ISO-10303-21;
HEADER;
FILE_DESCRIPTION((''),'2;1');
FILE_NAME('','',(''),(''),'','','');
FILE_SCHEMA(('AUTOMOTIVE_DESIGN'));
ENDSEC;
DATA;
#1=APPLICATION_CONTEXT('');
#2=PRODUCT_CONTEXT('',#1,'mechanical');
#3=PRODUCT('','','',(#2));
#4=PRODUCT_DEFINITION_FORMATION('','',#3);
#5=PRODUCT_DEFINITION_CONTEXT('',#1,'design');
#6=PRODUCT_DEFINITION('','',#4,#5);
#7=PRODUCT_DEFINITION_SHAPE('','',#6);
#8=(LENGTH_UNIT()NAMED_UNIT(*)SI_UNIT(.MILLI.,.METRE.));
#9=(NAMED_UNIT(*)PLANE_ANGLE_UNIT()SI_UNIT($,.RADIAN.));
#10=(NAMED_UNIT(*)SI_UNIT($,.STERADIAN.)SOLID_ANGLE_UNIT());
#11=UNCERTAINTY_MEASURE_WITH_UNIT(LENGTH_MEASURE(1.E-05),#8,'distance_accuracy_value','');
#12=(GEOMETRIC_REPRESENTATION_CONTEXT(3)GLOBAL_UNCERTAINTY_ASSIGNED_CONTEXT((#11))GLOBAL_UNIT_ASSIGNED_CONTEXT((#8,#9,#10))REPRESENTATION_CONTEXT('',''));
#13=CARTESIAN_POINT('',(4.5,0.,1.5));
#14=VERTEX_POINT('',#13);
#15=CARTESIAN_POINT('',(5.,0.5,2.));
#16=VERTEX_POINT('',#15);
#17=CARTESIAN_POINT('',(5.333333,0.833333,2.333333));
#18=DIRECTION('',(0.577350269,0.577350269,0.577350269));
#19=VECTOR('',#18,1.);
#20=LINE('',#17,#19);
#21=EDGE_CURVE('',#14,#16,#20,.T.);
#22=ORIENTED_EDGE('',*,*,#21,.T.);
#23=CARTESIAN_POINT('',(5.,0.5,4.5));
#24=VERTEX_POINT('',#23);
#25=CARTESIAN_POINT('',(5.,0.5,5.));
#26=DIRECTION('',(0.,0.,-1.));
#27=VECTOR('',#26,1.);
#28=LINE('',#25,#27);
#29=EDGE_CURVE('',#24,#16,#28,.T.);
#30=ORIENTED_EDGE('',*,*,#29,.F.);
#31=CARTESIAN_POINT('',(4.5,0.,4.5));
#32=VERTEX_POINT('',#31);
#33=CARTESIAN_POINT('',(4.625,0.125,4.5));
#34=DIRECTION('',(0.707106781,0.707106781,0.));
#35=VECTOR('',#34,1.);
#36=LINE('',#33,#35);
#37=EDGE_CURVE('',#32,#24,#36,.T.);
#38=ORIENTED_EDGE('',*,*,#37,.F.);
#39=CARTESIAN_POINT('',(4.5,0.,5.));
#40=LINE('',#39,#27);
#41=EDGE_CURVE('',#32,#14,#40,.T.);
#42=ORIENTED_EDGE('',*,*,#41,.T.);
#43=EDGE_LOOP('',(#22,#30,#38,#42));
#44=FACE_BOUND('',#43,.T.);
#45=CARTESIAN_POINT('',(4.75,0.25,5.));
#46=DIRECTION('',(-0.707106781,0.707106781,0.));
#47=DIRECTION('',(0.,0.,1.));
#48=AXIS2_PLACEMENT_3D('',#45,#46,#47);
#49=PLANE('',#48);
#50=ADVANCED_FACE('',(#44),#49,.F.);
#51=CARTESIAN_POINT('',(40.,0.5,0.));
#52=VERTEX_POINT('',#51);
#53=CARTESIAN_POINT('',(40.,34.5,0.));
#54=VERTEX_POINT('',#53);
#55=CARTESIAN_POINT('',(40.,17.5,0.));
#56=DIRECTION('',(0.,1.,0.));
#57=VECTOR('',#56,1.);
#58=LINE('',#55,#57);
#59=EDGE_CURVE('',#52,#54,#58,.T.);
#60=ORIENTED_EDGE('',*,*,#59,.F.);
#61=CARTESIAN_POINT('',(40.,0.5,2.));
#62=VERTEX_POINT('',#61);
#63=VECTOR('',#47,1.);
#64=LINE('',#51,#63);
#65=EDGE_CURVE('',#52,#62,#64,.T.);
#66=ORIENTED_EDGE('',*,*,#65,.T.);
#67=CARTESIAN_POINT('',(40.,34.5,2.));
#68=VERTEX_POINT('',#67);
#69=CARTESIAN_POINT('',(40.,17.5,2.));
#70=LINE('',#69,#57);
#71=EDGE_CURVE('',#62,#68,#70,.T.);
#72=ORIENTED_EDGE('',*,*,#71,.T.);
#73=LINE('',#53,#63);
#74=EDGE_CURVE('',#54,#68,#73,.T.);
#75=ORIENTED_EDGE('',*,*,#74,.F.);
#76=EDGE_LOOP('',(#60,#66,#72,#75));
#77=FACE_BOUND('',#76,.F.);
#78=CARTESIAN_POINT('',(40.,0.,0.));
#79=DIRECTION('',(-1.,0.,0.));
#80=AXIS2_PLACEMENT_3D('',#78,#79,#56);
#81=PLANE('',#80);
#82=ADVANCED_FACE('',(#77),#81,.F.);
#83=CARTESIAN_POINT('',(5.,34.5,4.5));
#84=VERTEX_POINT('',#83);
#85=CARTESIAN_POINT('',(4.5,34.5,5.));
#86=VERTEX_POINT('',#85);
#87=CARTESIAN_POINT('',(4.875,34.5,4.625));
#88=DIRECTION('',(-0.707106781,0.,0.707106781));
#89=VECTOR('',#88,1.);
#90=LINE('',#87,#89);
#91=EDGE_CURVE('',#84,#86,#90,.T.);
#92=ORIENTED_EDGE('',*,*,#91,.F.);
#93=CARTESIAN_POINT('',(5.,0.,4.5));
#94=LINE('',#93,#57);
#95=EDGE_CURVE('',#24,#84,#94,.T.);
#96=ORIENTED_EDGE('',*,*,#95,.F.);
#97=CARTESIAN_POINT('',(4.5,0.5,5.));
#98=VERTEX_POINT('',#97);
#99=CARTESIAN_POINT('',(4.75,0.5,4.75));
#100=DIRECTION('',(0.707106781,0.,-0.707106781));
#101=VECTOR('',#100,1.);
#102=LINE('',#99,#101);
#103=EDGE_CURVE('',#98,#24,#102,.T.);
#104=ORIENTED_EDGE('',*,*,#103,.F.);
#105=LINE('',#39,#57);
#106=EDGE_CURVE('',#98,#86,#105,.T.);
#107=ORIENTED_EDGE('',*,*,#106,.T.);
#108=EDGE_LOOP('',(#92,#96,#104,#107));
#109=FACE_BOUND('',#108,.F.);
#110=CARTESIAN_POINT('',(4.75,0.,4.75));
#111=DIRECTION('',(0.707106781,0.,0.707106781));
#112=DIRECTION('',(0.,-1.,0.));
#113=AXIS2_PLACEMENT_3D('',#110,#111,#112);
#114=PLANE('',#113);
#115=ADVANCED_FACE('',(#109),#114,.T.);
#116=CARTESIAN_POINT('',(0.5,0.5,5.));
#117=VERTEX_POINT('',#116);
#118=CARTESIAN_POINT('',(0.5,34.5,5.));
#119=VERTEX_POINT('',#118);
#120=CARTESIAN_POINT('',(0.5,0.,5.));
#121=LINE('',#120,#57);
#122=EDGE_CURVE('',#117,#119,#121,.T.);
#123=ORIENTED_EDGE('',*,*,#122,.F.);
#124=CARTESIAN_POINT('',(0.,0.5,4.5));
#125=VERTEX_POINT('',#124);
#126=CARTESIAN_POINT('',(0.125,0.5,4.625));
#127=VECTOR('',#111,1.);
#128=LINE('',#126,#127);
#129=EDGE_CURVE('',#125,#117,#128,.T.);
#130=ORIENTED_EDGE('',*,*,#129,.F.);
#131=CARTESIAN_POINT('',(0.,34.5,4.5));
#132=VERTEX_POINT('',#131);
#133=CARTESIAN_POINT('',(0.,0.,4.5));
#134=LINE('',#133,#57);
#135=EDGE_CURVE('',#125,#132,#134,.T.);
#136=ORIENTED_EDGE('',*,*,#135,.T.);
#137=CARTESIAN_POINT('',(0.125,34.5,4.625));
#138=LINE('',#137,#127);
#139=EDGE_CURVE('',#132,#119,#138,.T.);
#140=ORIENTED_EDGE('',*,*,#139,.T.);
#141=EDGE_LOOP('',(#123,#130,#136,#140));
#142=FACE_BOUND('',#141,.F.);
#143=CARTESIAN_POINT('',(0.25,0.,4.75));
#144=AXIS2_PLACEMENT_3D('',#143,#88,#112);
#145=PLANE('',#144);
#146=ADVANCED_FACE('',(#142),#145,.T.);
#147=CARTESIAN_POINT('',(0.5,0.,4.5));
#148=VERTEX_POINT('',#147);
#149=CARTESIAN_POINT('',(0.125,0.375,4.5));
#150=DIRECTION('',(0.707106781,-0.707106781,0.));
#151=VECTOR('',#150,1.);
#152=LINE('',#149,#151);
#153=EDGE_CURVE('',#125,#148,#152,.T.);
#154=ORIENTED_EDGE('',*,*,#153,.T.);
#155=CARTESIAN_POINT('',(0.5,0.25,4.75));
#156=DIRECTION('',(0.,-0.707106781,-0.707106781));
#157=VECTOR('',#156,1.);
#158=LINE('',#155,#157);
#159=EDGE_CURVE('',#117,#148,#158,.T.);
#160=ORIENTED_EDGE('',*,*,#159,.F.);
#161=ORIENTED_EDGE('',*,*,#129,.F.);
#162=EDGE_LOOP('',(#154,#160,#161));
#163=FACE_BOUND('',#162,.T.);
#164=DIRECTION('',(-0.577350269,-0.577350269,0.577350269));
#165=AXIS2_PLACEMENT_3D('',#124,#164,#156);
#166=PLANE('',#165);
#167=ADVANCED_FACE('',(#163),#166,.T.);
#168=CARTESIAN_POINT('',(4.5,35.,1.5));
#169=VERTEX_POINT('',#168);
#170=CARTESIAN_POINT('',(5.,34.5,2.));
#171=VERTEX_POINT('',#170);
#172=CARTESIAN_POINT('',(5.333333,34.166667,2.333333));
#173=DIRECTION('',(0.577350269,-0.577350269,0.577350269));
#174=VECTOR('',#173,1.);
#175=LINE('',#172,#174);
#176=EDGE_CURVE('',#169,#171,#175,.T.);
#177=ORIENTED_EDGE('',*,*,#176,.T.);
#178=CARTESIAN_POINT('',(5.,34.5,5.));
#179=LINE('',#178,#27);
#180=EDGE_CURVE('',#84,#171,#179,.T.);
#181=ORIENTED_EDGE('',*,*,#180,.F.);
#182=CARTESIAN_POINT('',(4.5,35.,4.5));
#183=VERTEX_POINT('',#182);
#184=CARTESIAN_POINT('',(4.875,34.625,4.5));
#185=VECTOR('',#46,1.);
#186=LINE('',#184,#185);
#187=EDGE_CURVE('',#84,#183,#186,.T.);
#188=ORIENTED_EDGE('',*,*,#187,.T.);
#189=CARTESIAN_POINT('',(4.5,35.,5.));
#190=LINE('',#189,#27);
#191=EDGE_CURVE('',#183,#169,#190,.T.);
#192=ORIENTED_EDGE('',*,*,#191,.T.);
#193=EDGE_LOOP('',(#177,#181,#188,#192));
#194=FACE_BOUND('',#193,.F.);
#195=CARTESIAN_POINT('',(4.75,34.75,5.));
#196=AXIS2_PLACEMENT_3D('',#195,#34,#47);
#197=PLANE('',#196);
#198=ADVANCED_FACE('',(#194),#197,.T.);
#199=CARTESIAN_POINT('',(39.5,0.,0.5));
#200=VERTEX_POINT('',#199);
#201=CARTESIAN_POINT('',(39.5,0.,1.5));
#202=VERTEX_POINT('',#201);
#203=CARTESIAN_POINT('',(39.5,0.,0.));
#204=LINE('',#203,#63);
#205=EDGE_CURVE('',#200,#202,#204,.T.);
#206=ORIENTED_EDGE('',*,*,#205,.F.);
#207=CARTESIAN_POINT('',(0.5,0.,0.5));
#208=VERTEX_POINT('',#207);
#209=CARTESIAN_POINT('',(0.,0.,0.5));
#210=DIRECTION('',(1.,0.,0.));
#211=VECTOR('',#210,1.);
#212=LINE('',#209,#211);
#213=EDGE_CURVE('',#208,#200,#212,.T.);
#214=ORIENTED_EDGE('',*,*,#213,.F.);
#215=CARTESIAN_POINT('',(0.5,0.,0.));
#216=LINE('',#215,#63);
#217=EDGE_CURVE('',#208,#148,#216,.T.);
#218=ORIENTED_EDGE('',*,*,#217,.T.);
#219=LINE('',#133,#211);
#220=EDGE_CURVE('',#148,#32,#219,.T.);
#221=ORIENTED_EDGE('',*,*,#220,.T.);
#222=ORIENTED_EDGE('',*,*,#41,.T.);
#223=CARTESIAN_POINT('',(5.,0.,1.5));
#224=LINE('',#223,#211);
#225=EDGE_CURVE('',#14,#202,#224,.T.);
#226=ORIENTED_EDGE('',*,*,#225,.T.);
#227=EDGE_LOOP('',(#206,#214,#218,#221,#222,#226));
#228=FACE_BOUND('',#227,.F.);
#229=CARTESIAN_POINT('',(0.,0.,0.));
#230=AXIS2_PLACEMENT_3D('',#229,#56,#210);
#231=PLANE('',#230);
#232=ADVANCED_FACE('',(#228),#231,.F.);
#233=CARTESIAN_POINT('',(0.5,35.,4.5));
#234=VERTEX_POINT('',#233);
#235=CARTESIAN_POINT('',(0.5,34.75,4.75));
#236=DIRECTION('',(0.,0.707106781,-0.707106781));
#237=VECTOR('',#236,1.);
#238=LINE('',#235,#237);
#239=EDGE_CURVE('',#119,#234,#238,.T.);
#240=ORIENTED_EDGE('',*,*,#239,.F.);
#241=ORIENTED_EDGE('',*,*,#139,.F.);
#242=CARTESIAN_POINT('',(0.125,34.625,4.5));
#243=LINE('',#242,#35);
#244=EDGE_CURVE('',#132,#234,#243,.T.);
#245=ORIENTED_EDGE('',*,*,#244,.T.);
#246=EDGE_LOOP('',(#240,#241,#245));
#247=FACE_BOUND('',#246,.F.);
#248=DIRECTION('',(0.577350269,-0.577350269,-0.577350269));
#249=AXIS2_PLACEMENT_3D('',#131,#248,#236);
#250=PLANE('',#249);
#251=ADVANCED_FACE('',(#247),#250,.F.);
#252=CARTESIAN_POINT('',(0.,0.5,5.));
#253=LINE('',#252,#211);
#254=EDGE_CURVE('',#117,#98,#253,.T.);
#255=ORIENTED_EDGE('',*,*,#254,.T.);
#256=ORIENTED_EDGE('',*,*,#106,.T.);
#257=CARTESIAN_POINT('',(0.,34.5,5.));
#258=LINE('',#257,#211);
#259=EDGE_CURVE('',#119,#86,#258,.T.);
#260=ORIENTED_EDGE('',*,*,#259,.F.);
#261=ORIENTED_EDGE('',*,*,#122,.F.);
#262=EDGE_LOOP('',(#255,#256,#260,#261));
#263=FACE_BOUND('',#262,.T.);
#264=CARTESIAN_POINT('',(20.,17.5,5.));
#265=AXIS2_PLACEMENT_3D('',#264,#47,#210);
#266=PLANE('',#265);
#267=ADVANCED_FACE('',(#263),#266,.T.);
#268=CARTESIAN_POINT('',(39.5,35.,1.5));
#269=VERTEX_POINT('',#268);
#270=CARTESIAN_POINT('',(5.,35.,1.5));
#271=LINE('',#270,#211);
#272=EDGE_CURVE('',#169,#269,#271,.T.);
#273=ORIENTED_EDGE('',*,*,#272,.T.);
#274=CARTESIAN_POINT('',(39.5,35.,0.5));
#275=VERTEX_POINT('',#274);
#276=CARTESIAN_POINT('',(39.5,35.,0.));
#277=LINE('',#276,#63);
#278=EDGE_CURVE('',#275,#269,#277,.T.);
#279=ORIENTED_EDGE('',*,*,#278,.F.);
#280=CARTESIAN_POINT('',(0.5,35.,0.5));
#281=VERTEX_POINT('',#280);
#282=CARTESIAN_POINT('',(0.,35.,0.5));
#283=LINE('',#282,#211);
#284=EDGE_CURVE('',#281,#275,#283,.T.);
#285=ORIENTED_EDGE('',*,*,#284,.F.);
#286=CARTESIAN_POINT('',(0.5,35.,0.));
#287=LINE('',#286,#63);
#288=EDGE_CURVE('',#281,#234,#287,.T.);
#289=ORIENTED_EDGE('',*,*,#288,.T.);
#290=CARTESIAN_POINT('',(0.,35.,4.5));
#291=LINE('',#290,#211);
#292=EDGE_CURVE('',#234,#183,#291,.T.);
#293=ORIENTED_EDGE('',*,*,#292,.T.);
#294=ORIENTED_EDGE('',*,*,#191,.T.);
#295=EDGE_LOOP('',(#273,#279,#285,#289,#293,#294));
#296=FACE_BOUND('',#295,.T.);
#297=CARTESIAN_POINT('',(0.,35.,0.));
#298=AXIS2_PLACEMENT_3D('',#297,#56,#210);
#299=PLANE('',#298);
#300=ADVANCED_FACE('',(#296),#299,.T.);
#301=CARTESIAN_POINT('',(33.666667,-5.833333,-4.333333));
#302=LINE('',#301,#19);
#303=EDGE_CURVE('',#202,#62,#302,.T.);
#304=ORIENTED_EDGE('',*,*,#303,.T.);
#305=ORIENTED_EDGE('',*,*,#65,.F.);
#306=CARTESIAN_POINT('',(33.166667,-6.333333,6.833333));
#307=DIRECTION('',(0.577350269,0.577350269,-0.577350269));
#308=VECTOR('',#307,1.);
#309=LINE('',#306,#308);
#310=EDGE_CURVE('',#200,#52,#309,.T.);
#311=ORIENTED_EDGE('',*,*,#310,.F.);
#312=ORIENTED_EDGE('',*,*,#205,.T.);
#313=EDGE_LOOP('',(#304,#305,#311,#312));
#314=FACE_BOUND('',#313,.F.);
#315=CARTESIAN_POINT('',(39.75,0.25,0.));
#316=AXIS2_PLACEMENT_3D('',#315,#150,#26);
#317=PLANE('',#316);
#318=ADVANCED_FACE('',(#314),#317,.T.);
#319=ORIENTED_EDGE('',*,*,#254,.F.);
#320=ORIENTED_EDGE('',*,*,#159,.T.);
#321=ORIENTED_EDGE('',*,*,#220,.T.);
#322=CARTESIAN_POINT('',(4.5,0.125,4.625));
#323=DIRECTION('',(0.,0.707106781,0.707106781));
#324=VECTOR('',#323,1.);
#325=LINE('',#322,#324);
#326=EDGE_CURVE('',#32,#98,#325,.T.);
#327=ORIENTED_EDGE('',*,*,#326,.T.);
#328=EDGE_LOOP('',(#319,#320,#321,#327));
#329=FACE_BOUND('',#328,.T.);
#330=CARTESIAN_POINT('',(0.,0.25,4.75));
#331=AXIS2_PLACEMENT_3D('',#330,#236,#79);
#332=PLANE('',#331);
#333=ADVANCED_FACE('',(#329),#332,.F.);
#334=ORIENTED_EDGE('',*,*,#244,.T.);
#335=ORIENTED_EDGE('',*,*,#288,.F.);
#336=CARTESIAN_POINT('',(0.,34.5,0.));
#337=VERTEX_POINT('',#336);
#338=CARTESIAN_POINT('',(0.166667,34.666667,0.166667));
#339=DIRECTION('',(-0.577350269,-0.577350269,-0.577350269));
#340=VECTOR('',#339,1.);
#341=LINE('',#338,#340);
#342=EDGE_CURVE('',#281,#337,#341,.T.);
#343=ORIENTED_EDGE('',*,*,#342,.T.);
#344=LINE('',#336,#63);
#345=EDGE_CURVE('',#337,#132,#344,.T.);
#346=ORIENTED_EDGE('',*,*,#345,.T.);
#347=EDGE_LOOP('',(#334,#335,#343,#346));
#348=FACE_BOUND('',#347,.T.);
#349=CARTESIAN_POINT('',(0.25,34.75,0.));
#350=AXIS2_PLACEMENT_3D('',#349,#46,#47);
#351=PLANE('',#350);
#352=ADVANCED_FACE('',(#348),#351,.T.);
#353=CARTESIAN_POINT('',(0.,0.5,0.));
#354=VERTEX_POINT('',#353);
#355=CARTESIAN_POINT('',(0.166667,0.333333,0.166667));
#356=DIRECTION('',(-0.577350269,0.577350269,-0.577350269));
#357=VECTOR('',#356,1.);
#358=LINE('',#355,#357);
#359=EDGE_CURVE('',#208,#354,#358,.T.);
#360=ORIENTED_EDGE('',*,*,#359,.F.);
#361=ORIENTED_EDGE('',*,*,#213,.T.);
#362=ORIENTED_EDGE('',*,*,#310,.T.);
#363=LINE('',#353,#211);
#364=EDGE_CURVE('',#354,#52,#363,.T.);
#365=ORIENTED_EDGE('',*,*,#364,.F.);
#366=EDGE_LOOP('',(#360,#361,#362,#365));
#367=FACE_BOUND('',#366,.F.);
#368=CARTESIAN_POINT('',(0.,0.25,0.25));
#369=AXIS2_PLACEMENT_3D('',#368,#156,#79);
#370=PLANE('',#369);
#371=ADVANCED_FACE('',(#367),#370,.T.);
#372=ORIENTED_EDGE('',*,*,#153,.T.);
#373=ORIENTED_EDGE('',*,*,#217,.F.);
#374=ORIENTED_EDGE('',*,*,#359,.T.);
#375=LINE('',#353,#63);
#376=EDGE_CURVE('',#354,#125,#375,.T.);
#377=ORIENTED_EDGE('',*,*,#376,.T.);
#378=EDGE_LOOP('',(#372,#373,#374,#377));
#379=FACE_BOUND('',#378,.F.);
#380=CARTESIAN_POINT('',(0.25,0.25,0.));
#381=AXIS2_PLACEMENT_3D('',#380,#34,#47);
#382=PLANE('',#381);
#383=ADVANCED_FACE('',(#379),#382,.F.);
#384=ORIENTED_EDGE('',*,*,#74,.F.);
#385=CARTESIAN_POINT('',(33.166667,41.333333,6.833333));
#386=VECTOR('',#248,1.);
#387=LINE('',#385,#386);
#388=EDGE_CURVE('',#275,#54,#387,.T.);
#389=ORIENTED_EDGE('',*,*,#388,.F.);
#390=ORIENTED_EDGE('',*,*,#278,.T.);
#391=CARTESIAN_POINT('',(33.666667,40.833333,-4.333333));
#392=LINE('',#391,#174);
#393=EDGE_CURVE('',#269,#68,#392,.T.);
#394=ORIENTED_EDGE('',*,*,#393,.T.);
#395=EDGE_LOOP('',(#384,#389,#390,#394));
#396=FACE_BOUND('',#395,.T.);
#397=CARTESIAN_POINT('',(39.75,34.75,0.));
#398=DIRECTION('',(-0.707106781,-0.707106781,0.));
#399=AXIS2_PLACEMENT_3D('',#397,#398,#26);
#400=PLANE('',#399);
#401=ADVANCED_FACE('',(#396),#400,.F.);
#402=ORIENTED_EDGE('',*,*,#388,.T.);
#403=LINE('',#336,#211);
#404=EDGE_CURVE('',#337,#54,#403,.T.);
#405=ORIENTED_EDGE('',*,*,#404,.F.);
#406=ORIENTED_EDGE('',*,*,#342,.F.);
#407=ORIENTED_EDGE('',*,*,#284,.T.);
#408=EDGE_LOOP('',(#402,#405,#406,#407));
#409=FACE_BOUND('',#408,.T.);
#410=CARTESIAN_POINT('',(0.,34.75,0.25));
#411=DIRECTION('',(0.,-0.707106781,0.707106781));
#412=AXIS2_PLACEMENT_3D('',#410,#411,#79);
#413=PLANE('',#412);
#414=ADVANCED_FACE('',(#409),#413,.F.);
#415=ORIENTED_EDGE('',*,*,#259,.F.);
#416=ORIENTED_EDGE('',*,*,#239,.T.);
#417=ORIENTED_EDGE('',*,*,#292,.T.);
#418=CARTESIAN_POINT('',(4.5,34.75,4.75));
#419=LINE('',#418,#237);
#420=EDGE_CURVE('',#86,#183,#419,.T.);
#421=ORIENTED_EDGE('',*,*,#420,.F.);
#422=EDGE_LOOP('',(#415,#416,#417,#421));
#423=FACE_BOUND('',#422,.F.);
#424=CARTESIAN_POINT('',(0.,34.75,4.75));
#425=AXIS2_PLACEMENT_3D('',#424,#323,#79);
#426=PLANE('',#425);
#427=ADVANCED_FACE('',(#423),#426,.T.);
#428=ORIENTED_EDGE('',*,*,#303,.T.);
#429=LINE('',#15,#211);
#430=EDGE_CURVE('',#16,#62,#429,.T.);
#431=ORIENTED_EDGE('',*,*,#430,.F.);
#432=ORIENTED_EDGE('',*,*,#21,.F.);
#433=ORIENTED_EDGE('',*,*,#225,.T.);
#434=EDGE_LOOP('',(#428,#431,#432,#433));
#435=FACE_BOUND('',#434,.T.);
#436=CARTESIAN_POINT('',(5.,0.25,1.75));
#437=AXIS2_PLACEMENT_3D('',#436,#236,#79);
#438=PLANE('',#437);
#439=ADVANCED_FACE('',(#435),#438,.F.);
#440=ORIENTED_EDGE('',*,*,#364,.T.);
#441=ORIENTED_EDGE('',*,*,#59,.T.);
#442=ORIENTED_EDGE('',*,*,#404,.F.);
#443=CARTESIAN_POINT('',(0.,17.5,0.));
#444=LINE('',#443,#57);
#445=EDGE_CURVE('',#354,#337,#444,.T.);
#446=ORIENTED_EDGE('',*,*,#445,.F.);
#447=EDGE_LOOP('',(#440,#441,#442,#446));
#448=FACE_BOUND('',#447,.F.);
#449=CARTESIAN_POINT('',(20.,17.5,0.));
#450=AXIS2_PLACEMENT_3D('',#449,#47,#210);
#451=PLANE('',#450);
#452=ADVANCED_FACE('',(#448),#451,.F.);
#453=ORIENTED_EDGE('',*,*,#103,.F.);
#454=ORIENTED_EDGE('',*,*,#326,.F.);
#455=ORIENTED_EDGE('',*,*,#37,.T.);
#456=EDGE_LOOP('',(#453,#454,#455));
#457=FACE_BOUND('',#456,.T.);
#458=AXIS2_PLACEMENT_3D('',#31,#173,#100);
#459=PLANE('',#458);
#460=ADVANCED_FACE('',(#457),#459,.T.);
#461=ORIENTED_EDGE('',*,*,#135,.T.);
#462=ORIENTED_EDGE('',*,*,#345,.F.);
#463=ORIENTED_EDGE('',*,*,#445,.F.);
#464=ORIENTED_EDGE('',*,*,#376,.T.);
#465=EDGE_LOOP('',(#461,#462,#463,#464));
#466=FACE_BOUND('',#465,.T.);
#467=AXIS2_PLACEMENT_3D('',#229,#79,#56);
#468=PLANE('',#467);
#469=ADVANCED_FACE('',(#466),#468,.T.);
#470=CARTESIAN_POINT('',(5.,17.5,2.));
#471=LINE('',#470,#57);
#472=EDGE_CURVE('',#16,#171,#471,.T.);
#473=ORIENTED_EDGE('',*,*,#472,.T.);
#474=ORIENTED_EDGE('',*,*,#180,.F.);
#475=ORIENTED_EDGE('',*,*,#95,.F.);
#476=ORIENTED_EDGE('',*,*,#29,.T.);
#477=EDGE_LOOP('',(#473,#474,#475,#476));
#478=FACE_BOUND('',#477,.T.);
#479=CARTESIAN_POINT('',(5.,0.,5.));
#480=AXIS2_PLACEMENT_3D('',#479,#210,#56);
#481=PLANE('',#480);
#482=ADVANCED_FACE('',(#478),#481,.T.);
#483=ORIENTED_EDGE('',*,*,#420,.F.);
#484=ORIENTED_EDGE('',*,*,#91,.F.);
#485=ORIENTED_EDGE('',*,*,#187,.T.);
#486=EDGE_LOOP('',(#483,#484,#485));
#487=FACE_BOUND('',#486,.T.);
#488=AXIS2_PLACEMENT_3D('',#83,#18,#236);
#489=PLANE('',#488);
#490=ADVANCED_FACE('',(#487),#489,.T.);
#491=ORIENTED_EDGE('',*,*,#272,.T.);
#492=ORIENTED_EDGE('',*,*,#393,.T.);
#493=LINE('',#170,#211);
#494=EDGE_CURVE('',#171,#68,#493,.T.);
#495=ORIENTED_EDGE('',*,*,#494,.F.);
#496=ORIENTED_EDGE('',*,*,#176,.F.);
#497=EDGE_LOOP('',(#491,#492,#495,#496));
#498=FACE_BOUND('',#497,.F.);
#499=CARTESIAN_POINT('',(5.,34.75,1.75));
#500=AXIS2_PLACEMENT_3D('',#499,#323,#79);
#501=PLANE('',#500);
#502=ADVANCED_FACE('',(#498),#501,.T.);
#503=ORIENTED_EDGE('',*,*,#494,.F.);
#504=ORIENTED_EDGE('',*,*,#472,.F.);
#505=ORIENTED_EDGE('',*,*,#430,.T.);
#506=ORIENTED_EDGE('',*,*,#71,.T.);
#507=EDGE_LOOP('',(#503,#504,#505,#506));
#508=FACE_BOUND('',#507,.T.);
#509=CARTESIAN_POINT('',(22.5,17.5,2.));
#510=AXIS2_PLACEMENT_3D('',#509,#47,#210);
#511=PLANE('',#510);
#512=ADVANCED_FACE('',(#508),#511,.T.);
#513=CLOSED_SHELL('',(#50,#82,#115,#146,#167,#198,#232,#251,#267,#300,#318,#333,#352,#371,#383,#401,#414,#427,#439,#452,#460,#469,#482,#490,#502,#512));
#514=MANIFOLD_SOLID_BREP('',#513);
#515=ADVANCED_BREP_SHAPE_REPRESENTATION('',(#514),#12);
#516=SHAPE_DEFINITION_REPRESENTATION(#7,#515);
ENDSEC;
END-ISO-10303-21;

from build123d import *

# Parameters (mm, degrees)
F0_W     = 40
F0_H     = 35
F1_DEPTH = 5
F2_W     = 35
F2_H     = 35
F3_DEPTH = 3
F4_SIZE  = 0.5


with BuildPart() as f1:
    # F0 (on Top) → F1 (new body)
    with BuildSketch(Plane.XY):
        with Locations((20, 17.5)):
            Rectangle(F0_W, F0_H)
    extrude(amount=F1_DEPTH)

    # F2 (on face) → F3 (cut)
    with BuildSketch(Plane.XY.offset(5)):
        with Locations((22.5, 17.5)):
            Rectangle(F2_W, F2_H)
    extrude(amount=-F3_DEPTH, mode=Mode.SUBTRACT)

    # F4
    f4_edges = [f1.edges().sort_by_distance(p)[0] for p in [
        (2.5, 35, 5),
        (5, 17.5, 5),
        (2.5, 0, 5),
        (0, 17.5, 5),
        (20, 0, 0),
        (40, 0, 1),
        (22.5, 0, 2),
        (5, 0, 3.5),
        (0, 0, 2.5),
        (20, 35, 0),
        (0, 35, 2.5),
        (5, 35, 3.5),
        (22.5, 35, 2),
        (40, 35, 1),
    ]]
    chamfer(f4_edges, length=F4_SIZE)


solid = f1.part
